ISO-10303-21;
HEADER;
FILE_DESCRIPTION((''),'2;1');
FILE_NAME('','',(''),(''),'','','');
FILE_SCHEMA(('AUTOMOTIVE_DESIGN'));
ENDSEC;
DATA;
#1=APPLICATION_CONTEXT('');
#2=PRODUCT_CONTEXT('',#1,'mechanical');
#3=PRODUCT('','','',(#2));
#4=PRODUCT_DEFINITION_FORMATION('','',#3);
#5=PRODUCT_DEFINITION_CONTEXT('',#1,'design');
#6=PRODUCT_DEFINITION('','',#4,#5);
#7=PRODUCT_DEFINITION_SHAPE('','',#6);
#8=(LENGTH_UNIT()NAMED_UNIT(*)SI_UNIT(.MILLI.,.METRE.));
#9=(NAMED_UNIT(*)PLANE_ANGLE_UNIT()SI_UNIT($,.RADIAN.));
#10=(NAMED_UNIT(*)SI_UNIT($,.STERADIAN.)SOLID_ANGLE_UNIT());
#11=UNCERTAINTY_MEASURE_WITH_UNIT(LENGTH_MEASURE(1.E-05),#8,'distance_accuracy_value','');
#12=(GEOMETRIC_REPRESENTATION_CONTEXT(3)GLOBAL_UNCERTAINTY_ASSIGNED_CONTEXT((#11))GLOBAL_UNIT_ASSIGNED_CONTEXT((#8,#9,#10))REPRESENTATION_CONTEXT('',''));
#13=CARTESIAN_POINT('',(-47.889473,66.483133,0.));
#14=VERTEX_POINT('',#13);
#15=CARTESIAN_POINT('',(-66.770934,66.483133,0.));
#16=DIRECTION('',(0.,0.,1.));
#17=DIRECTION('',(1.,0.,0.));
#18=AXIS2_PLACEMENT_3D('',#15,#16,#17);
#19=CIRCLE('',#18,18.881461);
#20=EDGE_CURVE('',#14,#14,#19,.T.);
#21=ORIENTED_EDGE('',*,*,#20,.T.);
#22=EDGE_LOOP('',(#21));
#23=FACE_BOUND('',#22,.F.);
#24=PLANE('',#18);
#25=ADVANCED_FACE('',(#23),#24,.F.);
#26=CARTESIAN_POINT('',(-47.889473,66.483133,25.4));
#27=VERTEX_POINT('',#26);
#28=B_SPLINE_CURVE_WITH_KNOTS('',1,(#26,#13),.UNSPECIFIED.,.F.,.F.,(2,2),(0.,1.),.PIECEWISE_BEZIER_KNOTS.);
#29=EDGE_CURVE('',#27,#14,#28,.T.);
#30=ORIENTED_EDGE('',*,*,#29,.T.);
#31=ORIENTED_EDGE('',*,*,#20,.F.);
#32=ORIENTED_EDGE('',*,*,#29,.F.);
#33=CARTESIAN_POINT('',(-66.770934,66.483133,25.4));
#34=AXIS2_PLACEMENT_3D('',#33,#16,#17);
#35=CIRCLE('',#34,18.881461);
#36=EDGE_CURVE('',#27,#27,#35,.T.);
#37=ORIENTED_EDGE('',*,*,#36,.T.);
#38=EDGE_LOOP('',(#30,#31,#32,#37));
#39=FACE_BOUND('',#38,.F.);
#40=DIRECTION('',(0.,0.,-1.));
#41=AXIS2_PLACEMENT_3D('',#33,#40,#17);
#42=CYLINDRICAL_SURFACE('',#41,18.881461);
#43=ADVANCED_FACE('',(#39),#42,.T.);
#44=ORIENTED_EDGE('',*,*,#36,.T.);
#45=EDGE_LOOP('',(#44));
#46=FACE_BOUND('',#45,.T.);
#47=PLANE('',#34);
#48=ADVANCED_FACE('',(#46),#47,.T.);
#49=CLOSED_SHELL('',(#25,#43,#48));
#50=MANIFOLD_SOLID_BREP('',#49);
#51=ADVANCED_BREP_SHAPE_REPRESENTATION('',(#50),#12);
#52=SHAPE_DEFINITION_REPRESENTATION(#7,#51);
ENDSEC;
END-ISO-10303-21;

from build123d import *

# Parameters (mm, degrees)
F5_R = 18.881461
F1_R = 18.881461


with BuildPart() as f6:
    # F5 (on offset) → F6 section 0
    with BuildSketch(Plane.XY.offset(25.4)):
        with Locations((-66.770934, 66.483133)):
            Circle(F5_R)
    # F1 (on Top) → F6 section 1
    with BuildSketch(Plane.XY):
        with Locations((-66.770934, 66.483133)):
            Circle(F1_R)
    loft()


solid = f6.part
